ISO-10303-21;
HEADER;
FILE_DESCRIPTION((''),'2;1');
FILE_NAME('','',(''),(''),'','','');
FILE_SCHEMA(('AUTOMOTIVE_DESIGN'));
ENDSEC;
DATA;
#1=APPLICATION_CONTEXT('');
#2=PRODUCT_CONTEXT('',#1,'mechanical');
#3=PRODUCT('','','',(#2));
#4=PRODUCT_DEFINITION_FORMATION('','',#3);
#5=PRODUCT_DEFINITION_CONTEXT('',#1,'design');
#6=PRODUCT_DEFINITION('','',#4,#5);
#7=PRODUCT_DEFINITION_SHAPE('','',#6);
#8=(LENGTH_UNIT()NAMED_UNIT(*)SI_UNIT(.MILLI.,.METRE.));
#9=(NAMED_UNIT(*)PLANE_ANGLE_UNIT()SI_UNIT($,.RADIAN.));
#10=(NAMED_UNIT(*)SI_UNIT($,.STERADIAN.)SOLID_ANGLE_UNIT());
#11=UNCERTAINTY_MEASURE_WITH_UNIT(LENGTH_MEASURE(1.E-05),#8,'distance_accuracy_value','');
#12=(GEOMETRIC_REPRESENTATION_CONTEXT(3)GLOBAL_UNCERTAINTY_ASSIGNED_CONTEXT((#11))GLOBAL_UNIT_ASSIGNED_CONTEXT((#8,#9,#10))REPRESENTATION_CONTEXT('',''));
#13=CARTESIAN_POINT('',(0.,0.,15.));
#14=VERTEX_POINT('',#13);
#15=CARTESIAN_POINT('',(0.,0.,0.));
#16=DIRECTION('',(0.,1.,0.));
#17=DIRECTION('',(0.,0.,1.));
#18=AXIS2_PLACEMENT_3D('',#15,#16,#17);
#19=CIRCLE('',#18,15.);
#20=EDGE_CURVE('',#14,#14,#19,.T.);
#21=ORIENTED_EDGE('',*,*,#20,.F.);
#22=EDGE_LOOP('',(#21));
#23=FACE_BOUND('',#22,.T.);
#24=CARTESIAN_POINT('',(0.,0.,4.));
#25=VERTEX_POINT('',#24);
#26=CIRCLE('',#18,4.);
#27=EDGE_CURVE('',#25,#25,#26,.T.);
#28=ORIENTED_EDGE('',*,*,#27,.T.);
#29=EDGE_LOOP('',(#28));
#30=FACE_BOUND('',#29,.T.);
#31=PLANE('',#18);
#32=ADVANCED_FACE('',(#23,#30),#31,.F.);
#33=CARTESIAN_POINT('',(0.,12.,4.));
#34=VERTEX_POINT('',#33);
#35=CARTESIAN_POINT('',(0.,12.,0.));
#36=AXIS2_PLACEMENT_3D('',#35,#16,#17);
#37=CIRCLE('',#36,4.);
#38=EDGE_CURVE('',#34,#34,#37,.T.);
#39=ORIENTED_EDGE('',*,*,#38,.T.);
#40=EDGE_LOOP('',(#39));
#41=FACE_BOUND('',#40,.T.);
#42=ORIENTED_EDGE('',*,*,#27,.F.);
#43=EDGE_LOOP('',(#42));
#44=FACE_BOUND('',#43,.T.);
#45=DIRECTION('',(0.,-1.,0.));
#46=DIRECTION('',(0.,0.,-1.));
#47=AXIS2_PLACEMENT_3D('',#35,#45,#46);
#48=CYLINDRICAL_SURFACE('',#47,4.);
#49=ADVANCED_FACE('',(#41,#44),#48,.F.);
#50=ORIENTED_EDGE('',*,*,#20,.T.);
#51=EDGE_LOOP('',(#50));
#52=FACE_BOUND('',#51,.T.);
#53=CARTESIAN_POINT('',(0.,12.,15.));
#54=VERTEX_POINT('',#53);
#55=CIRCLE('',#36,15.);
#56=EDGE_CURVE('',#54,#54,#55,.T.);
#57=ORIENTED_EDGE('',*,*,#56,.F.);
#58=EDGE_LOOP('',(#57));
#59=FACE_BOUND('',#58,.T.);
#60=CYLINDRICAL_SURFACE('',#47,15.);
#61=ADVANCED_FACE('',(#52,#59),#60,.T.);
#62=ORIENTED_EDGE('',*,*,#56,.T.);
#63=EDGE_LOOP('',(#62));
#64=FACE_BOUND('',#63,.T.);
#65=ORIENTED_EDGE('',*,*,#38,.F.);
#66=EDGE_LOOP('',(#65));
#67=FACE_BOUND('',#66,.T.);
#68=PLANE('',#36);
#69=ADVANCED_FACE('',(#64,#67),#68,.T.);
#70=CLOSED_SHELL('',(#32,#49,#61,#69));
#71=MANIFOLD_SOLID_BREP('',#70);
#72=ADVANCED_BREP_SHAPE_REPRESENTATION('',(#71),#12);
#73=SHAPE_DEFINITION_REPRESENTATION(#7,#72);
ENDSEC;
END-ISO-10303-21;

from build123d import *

# Parameters (mm, degrees)
SKETCH1_R           = 15
SKETCH1_R_2         = 4
BOSS_EXTRUDE1_DEPTH = 12


with BuildPart() as part:
    # Sketch1 → Boss-Extrude1 (new body)
    with BuildSketch(Plane(origin=(0, 0, 0), x_dir=(1, 0, 0), z_dir=(0, 1, 0))):
        with Locations(Location((0, 0, 0), (0, 0, 270))):
            Circle(SKETCH1_R)
        with Locations(Location((0, 0, 0), (0, 0, 270))):
            Circle(SKETCH1_R_2, mode=Mode.SUBTRACT)
    extrude(amount=BOSS_EXTRUDE1_DEPTH)


solid = part.part
